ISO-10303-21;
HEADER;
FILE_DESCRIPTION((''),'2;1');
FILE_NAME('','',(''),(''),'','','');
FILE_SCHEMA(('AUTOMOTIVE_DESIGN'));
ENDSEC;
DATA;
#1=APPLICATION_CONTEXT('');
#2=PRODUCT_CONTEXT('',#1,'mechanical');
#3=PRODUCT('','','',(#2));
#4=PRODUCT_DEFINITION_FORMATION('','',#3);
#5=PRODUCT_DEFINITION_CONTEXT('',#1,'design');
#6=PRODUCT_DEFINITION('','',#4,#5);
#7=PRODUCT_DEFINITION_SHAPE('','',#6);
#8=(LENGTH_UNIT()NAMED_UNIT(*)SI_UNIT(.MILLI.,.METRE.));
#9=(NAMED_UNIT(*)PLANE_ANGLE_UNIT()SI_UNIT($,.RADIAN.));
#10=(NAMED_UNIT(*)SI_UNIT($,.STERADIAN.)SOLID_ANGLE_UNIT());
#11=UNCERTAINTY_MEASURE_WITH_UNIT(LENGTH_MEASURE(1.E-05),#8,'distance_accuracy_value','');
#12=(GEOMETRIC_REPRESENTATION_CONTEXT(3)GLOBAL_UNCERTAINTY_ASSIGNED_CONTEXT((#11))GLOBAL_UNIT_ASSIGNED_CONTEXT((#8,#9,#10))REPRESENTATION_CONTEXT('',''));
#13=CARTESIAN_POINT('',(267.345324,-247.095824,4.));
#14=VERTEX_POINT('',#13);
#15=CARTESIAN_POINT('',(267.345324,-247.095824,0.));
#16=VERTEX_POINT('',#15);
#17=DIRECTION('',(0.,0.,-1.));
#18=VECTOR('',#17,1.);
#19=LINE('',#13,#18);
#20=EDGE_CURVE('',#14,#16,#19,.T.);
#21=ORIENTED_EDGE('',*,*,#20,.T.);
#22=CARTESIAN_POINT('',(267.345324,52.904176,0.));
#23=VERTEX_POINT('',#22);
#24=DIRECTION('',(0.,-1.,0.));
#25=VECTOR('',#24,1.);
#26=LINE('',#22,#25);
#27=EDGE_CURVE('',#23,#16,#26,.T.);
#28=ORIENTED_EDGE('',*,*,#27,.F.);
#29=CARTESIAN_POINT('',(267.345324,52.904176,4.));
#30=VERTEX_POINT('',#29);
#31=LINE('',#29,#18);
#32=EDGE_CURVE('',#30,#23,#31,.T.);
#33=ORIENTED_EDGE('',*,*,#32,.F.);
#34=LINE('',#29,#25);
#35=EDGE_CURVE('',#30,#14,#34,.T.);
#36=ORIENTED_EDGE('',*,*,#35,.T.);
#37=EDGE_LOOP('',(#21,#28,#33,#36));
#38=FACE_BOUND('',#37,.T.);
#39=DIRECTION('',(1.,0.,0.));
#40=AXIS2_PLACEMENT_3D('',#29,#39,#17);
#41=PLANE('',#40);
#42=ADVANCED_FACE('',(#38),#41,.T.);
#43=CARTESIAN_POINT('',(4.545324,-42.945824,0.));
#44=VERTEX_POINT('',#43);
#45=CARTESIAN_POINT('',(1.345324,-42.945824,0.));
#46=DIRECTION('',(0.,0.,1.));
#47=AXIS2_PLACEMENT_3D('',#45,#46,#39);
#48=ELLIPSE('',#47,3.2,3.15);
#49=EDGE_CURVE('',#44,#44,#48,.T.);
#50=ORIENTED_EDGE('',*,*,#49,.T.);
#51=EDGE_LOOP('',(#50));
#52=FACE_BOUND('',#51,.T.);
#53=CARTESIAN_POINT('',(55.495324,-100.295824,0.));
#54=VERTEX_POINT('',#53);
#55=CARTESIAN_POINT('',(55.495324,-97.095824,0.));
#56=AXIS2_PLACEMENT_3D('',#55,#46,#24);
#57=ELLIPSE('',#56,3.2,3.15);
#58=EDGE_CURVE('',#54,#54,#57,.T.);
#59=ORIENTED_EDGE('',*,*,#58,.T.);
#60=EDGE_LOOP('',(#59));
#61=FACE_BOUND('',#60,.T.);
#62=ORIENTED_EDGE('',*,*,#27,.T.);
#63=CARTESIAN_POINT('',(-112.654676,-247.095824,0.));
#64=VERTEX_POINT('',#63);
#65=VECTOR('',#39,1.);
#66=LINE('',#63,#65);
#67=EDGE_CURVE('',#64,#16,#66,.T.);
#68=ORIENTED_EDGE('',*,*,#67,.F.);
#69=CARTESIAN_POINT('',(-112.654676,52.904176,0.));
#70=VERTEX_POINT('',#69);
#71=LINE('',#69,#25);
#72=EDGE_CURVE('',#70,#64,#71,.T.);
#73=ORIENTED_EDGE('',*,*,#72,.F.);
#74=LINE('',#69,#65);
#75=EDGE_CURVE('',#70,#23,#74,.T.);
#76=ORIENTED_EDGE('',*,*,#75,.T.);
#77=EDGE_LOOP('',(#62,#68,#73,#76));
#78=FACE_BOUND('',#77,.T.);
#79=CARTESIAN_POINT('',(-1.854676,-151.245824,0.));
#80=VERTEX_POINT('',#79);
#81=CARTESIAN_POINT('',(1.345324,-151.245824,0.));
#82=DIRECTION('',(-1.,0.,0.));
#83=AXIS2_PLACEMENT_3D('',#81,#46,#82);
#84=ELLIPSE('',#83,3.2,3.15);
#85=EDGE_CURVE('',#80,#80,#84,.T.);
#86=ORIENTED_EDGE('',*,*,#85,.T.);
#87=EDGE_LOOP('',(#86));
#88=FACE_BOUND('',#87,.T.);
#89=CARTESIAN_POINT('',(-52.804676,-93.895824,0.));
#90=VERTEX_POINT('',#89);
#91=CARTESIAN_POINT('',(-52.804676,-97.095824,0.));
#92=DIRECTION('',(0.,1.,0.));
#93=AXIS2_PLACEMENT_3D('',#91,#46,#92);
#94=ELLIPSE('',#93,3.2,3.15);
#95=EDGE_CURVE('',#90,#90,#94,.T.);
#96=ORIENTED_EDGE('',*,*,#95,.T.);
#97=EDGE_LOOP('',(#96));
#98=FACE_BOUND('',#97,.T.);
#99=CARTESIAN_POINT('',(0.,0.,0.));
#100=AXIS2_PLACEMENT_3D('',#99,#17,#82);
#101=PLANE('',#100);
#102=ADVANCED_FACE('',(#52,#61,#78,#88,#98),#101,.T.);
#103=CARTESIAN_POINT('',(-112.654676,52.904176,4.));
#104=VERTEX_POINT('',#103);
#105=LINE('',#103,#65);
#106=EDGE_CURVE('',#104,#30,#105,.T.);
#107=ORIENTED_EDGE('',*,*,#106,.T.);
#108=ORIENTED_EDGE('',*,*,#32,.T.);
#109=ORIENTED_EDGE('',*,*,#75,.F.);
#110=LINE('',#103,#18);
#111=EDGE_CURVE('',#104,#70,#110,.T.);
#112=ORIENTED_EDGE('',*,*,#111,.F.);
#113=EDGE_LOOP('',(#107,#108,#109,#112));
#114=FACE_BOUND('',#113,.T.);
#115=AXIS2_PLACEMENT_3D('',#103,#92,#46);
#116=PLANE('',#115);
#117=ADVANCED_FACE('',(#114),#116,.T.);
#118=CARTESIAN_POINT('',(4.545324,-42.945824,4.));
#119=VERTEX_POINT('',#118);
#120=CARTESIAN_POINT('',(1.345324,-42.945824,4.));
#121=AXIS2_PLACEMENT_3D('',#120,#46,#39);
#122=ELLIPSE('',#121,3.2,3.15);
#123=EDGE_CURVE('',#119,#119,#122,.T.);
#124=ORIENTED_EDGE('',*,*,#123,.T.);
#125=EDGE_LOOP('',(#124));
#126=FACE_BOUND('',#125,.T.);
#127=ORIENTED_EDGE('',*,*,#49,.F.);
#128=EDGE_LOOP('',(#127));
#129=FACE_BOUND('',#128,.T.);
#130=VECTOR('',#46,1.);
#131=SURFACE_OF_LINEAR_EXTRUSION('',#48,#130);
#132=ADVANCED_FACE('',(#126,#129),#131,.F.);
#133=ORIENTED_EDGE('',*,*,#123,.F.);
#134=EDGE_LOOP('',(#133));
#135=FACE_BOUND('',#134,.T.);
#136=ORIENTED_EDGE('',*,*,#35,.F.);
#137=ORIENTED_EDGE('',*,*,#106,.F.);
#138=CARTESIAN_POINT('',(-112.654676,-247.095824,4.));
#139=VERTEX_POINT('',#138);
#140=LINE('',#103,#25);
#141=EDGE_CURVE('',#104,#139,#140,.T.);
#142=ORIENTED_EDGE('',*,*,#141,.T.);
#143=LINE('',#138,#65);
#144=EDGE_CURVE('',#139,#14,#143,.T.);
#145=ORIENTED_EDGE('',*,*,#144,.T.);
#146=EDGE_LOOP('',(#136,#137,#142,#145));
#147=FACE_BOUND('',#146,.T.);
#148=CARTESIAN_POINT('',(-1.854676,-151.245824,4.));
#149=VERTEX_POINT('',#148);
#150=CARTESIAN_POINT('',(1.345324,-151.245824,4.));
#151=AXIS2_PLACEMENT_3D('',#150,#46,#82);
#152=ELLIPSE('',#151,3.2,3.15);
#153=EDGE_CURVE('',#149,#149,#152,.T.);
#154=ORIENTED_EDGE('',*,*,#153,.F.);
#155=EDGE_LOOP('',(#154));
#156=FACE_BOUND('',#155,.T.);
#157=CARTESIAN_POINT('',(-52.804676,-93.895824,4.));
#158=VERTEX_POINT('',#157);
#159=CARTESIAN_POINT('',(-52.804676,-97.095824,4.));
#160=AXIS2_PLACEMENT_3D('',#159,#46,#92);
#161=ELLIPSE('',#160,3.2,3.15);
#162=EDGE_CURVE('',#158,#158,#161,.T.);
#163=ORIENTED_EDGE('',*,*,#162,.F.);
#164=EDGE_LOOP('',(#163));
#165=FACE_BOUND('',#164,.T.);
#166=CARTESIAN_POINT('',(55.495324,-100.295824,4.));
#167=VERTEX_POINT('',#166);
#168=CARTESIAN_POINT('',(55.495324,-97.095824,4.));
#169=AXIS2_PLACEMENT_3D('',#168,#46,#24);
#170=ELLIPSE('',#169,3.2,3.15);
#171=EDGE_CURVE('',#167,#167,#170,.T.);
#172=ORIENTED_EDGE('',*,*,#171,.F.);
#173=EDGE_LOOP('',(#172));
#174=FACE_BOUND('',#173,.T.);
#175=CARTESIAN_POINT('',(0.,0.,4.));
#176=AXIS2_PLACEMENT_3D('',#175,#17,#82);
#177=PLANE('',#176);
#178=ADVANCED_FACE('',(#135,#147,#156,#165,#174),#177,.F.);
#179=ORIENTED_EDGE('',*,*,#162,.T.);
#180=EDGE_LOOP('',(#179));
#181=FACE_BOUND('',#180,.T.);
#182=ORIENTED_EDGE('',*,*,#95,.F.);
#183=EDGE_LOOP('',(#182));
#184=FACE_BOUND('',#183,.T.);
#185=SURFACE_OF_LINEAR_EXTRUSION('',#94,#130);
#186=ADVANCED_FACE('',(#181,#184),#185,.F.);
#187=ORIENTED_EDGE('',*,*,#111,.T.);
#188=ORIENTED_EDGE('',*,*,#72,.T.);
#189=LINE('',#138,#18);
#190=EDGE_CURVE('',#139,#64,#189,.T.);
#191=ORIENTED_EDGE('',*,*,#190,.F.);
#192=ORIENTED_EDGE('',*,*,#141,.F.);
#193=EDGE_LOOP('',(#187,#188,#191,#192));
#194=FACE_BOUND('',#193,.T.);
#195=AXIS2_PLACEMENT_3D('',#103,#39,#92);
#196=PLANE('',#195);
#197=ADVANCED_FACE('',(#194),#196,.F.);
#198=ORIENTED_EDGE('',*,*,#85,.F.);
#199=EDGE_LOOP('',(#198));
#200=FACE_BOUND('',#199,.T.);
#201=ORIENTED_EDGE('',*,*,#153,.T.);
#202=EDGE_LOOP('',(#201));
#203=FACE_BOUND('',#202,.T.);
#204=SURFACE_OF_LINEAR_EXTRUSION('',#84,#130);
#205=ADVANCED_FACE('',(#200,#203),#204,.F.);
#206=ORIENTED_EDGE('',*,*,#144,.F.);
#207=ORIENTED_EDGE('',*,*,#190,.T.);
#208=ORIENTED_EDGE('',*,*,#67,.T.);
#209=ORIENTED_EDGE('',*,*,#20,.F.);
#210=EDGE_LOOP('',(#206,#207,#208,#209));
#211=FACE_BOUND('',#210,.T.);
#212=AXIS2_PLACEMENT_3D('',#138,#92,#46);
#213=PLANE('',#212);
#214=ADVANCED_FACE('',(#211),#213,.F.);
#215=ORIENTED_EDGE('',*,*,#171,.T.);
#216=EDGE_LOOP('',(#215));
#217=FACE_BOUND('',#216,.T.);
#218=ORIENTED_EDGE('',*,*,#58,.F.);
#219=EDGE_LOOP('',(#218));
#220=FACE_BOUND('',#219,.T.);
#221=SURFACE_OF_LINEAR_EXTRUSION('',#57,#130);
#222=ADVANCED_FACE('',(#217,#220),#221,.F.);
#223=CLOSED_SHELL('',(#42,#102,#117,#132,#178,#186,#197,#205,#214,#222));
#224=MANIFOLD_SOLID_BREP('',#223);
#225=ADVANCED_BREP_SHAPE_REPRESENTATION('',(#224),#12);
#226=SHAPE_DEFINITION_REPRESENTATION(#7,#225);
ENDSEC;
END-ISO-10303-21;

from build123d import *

# Parameters (mm, degrees)
SKETCH1_W           = 380
SKETCH1_H           = 300
BOSS_EXTRUDE1_DEPTH = 4
SKETCH7_RX          = 3.2
SKETCH7_RY          = 3.15
CUT_EXTRUDE18_DEPTH = 4


with BuildPart() as part:
    # Sketch1 → Boss-Extrude1 (new body)
    with BuildSketch(Plane.XY):
        with Locations((77.345324037, -97.095823821)):
            Rectangle(SKETCH1_W, SKETCH1_H)
    extrude(amount=BOSS_EXTRUDE1_DEPTH)

    # Sketch7 → Cut-Extrude18 (cut)
    with BuildSketch(Plane.XY.offset(4)):
        with Locations((1.345324037, -42.945823821)):
            Ellipse(SKETCH7_RX, SKETCH7_RY)
        with Locations(Location((55.495324037, -97.095823821), (0, 0, -90))):
            Ellipse(SKETCH7_RX, SKETCH7_RY)
        with Locations(Location((1.345324037, -151.245823821), (0, 0, 180))):
            Ellipse(SKETCH7_RX, SKETCH7_RY)
        with Locations(Location((-52.804675963, -97.095823821), (0, 0, -90))):
            Ellipse(SKETCH7_RX, SKETCH7_RY)
    extrude(amount=-CUT_EXTRUDE18_DEPTH, mode=Mode.SUBTRACT)


solid = part.part
